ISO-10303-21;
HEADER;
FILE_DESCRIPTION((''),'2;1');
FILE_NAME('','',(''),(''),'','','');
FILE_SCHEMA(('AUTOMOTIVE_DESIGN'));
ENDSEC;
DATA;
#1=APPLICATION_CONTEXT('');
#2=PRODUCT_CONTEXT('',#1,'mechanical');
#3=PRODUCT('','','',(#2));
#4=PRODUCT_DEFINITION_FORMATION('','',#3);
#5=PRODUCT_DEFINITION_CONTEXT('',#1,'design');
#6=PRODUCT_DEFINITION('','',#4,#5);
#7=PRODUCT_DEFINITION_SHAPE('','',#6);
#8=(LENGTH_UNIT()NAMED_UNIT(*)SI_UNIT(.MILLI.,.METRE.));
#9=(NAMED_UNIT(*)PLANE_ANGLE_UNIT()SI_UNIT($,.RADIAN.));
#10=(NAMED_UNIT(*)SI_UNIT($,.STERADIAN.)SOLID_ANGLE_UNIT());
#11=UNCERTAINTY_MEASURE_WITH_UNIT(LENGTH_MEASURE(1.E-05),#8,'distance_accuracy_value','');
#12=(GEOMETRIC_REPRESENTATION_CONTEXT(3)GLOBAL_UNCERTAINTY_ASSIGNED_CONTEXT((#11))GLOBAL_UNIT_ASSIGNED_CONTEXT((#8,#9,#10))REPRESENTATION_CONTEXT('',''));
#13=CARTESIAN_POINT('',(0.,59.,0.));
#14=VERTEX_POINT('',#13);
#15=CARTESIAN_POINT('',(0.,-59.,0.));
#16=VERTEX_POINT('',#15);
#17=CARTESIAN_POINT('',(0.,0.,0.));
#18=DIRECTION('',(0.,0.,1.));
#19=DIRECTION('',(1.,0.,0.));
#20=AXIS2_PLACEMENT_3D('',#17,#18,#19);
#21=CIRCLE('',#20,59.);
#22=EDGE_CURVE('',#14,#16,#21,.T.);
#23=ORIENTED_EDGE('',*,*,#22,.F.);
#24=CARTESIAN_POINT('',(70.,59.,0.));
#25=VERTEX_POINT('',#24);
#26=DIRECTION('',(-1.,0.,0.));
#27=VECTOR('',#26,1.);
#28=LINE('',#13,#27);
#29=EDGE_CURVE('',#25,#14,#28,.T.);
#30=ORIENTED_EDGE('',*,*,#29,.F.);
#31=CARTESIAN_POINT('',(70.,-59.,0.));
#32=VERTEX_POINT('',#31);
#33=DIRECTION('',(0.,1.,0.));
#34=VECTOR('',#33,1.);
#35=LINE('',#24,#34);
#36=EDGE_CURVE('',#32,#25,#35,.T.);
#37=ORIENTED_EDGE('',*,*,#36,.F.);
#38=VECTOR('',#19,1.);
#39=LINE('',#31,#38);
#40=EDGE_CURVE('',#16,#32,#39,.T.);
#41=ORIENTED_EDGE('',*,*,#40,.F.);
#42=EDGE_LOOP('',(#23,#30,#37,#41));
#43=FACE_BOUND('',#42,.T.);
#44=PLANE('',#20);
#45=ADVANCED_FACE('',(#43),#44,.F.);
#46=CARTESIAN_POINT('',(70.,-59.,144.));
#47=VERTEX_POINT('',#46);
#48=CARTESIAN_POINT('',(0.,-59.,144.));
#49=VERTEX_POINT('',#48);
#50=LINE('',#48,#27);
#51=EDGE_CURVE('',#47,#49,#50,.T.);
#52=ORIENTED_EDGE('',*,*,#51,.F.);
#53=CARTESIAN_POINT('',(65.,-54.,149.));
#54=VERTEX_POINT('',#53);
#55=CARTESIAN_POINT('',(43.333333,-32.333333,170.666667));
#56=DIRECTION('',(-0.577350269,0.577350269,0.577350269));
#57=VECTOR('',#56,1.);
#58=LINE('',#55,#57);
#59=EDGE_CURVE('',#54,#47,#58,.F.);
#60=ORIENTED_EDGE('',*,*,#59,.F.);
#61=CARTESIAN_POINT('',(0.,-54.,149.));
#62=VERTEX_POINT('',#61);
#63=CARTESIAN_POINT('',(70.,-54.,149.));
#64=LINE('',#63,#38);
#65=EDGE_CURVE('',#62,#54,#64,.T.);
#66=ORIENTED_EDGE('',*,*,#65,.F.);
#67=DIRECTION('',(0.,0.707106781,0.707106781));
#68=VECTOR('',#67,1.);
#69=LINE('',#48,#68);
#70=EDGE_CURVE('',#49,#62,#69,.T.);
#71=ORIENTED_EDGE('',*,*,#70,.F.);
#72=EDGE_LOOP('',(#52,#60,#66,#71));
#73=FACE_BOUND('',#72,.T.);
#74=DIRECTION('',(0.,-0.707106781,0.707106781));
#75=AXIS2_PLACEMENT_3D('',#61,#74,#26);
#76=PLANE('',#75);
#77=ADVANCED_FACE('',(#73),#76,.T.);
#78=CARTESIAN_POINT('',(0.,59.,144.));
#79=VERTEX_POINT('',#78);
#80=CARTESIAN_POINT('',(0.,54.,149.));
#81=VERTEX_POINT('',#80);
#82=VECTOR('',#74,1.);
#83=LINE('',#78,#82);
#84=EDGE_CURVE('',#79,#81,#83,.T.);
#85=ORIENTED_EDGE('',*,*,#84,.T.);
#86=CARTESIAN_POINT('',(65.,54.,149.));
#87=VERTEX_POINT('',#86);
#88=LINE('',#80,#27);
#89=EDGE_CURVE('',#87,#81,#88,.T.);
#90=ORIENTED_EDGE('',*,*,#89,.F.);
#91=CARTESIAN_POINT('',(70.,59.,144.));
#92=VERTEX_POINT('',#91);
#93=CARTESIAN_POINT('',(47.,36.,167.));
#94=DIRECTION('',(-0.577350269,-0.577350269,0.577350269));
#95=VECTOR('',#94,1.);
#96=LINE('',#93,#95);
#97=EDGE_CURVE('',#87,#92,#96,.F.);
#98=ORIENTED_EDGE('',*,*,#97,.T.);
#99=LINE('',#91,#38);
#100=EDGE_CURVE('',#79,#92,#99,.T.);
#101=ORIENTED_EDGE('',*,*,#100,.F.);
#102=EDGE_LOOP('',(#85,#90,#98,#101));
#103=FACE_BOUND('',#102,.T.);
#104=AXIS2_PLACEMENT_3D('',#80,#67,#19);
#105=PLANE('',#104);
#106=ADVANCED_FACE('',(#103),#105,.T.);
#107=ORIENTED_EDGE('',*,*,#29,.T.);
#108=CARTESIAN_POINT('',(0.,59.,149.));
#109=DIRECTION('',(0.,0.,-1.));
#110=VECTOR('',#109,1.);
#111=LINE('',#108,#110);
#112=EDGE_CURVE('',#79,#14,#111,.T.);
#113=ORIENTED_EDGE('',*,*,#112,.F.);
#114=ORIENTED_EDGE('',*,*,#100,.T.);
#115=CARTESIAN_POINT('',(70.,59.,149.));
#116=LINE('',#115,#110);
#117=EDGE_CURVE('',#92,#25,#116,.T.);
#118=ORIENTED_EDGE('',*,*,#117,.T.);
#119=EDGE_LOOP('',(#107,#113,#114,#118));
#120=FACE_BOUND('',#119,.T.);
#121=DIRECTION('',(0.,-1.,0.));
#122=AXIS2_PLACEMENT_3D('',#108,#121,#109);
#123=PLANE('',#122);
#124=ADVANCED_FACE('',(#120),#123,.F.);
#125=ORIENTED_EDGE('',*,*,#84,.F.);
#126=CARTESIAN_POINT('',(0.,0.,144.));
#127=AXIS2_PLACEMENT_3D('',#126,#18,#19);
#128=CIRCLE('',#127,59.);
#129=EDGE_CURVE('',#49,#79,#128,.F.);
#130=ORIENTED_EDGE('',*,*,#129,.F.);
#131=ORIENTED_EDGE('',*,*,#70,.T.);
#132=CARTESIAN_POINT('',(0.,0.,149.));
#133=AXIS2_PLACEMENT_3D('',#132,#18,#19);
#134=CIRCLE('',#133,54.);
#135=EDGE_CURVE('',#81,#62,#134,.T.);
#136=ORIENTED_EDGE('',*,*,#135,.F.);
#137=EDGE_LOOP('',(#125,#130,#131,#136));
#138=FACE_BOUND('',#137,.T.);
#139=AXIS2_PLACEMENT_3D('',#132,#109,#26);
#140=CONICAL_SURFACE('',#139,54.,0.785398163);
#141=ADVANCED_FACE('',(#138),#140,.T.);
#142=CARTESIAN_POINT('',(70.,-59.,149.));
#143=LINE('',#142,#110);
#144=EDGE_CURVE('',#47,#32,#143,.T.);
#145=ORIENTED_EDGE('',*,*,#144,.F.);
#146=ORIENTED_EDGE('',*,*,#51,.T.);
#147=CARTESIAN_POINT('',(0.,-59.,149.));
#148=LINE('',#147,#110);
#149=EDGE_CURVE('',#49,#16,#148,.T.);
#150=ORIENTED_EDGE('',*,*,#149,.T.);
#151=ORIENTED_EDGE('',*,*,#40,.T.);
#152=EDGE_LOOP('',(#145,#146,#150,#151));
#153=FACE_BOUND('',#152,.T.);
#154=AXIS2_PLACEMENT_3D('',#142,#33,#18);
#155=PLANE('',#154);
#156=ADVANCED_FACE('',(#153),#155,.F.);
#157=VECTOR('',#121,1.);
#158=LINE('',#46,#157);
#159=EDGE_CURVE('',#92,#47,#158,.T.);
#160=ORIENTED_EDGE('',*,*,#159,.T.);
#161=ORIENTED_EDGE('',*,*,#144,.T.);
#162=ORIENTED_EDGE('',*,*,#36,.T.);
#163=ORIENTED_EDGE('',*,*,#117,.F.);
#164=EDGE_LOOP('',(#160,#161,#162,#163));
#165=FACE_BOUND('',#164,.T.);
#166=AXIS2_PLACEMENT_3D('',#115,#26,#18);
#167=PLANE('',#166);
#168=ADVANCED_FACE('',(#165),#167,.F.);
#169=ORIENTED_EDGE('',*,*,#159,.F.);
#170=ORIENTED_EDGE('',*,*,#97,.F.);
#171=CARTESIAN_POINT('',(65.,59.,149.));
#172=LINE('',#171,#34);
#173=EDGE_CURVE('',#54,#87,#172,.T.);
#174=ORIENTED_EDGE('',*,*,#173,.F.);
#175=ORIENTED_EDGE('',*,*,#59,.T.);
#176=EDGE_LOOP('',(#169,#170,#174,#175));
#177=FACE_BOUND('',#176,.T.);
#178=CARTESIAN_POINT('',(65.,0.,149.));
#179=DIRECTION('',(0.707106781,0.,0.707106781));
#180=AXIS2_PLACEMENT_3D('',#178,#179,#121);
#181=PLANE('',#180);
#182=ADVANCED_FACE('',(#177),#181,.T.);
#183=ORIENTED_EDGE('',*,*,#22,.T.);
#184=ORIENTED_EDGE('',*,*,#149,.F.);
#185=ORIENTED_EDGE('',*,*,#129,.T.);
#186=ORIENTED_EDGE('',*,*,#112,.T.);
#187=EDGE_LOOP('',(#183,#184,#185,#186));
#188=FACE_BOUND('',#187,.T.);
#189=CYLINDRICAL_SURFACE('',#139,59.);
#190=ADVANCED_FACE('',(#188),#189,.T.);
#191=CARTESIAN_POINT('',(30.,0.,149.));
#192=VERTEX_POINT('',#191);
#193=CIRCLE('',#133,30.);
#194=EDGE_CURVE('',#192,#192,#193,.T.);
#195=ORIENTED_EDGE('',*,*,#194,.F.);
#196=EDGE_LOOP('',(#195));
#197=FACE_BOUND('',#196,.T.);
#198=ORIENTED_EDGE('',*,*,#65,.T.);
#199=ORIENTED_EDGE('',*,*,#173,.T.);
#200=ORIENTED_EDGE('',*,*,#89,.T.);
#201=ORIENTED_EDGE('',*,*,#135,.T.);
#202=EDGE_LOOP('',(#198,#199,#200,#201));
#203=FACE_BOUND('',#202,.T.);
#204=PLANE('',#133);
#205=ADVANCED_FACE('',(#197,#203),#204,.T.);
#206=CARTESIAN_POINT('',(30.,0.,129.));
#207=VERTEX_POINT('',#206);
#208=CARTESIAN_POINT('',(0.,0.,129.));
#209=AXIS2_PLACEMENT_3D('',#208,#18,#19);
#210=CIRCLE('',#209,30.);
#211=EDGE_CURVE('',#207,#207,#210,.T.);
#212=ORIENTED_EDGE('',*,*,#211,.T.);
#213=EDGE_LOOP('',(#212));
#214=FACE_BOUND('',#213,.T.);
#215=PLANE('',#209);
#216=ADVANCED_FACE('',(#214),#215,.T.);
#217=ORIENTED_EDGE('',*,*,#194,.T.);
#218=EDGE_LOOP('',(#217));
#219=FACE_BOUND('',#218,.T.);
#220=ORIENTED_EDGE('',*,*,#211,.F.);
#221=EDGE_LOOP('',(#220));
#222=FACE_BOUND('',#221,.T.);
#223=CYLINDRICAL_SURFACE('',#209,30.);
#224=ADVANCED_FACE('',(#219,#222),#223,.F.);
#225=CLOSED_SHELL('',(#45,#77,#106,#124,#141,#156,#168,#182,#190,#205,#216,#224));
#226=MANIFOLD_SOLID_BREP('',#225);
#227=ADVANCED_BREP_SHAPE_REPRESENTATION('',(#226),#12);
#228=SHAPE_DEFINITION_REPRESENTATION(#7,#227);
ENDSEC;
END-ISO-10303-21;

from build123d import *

# Parameters (mm, degrees)
SALIENTE_EXTRUIR1_DEPTH = 149
CHAFL_N1_SIZE           = 5
CROQUIS2_R              = 30
CORTAR_EXTRUIR1_DEPTH   = 20


with BuildPart() as part:
    # Croquis1 → Saliente-Extruir1 (new body)
    with BuildSketch(Plane.XY):
        with BuildLine():
            Line((0, 59), (70, 59))
            Line((70, 59), (70, -59))
            Line((70, -59), (0, -59))
            ThreePointArc((0, -59), (-59, 0), (0, 59))
        make_face()
    extrude(amount=SALIENTE_EXTRUIR1_DEPTH)

    # Chaflán1
    chafl_n1_edges = [part.edges().sort_by_distance(p)[0] for p in [
        (70, 0, 149),
        (35, 59, 149),
        (-59, 0, 149),
        (35, -59, 149),
    ]]
    chamfer(chafl_n1_edges, length=CHAFL_N1_SIZE)

    # Croquis2 → Cortar-Extruir1 (cut)
    with BuildSketch(Plane.XY.offset(149)):
        Circle(CROQUIS2_R)
    extrude(amount=-CORTAR_EXTRUIR1_DEPTH, mode=Mode.SUBTRACT)


solid = part.part
